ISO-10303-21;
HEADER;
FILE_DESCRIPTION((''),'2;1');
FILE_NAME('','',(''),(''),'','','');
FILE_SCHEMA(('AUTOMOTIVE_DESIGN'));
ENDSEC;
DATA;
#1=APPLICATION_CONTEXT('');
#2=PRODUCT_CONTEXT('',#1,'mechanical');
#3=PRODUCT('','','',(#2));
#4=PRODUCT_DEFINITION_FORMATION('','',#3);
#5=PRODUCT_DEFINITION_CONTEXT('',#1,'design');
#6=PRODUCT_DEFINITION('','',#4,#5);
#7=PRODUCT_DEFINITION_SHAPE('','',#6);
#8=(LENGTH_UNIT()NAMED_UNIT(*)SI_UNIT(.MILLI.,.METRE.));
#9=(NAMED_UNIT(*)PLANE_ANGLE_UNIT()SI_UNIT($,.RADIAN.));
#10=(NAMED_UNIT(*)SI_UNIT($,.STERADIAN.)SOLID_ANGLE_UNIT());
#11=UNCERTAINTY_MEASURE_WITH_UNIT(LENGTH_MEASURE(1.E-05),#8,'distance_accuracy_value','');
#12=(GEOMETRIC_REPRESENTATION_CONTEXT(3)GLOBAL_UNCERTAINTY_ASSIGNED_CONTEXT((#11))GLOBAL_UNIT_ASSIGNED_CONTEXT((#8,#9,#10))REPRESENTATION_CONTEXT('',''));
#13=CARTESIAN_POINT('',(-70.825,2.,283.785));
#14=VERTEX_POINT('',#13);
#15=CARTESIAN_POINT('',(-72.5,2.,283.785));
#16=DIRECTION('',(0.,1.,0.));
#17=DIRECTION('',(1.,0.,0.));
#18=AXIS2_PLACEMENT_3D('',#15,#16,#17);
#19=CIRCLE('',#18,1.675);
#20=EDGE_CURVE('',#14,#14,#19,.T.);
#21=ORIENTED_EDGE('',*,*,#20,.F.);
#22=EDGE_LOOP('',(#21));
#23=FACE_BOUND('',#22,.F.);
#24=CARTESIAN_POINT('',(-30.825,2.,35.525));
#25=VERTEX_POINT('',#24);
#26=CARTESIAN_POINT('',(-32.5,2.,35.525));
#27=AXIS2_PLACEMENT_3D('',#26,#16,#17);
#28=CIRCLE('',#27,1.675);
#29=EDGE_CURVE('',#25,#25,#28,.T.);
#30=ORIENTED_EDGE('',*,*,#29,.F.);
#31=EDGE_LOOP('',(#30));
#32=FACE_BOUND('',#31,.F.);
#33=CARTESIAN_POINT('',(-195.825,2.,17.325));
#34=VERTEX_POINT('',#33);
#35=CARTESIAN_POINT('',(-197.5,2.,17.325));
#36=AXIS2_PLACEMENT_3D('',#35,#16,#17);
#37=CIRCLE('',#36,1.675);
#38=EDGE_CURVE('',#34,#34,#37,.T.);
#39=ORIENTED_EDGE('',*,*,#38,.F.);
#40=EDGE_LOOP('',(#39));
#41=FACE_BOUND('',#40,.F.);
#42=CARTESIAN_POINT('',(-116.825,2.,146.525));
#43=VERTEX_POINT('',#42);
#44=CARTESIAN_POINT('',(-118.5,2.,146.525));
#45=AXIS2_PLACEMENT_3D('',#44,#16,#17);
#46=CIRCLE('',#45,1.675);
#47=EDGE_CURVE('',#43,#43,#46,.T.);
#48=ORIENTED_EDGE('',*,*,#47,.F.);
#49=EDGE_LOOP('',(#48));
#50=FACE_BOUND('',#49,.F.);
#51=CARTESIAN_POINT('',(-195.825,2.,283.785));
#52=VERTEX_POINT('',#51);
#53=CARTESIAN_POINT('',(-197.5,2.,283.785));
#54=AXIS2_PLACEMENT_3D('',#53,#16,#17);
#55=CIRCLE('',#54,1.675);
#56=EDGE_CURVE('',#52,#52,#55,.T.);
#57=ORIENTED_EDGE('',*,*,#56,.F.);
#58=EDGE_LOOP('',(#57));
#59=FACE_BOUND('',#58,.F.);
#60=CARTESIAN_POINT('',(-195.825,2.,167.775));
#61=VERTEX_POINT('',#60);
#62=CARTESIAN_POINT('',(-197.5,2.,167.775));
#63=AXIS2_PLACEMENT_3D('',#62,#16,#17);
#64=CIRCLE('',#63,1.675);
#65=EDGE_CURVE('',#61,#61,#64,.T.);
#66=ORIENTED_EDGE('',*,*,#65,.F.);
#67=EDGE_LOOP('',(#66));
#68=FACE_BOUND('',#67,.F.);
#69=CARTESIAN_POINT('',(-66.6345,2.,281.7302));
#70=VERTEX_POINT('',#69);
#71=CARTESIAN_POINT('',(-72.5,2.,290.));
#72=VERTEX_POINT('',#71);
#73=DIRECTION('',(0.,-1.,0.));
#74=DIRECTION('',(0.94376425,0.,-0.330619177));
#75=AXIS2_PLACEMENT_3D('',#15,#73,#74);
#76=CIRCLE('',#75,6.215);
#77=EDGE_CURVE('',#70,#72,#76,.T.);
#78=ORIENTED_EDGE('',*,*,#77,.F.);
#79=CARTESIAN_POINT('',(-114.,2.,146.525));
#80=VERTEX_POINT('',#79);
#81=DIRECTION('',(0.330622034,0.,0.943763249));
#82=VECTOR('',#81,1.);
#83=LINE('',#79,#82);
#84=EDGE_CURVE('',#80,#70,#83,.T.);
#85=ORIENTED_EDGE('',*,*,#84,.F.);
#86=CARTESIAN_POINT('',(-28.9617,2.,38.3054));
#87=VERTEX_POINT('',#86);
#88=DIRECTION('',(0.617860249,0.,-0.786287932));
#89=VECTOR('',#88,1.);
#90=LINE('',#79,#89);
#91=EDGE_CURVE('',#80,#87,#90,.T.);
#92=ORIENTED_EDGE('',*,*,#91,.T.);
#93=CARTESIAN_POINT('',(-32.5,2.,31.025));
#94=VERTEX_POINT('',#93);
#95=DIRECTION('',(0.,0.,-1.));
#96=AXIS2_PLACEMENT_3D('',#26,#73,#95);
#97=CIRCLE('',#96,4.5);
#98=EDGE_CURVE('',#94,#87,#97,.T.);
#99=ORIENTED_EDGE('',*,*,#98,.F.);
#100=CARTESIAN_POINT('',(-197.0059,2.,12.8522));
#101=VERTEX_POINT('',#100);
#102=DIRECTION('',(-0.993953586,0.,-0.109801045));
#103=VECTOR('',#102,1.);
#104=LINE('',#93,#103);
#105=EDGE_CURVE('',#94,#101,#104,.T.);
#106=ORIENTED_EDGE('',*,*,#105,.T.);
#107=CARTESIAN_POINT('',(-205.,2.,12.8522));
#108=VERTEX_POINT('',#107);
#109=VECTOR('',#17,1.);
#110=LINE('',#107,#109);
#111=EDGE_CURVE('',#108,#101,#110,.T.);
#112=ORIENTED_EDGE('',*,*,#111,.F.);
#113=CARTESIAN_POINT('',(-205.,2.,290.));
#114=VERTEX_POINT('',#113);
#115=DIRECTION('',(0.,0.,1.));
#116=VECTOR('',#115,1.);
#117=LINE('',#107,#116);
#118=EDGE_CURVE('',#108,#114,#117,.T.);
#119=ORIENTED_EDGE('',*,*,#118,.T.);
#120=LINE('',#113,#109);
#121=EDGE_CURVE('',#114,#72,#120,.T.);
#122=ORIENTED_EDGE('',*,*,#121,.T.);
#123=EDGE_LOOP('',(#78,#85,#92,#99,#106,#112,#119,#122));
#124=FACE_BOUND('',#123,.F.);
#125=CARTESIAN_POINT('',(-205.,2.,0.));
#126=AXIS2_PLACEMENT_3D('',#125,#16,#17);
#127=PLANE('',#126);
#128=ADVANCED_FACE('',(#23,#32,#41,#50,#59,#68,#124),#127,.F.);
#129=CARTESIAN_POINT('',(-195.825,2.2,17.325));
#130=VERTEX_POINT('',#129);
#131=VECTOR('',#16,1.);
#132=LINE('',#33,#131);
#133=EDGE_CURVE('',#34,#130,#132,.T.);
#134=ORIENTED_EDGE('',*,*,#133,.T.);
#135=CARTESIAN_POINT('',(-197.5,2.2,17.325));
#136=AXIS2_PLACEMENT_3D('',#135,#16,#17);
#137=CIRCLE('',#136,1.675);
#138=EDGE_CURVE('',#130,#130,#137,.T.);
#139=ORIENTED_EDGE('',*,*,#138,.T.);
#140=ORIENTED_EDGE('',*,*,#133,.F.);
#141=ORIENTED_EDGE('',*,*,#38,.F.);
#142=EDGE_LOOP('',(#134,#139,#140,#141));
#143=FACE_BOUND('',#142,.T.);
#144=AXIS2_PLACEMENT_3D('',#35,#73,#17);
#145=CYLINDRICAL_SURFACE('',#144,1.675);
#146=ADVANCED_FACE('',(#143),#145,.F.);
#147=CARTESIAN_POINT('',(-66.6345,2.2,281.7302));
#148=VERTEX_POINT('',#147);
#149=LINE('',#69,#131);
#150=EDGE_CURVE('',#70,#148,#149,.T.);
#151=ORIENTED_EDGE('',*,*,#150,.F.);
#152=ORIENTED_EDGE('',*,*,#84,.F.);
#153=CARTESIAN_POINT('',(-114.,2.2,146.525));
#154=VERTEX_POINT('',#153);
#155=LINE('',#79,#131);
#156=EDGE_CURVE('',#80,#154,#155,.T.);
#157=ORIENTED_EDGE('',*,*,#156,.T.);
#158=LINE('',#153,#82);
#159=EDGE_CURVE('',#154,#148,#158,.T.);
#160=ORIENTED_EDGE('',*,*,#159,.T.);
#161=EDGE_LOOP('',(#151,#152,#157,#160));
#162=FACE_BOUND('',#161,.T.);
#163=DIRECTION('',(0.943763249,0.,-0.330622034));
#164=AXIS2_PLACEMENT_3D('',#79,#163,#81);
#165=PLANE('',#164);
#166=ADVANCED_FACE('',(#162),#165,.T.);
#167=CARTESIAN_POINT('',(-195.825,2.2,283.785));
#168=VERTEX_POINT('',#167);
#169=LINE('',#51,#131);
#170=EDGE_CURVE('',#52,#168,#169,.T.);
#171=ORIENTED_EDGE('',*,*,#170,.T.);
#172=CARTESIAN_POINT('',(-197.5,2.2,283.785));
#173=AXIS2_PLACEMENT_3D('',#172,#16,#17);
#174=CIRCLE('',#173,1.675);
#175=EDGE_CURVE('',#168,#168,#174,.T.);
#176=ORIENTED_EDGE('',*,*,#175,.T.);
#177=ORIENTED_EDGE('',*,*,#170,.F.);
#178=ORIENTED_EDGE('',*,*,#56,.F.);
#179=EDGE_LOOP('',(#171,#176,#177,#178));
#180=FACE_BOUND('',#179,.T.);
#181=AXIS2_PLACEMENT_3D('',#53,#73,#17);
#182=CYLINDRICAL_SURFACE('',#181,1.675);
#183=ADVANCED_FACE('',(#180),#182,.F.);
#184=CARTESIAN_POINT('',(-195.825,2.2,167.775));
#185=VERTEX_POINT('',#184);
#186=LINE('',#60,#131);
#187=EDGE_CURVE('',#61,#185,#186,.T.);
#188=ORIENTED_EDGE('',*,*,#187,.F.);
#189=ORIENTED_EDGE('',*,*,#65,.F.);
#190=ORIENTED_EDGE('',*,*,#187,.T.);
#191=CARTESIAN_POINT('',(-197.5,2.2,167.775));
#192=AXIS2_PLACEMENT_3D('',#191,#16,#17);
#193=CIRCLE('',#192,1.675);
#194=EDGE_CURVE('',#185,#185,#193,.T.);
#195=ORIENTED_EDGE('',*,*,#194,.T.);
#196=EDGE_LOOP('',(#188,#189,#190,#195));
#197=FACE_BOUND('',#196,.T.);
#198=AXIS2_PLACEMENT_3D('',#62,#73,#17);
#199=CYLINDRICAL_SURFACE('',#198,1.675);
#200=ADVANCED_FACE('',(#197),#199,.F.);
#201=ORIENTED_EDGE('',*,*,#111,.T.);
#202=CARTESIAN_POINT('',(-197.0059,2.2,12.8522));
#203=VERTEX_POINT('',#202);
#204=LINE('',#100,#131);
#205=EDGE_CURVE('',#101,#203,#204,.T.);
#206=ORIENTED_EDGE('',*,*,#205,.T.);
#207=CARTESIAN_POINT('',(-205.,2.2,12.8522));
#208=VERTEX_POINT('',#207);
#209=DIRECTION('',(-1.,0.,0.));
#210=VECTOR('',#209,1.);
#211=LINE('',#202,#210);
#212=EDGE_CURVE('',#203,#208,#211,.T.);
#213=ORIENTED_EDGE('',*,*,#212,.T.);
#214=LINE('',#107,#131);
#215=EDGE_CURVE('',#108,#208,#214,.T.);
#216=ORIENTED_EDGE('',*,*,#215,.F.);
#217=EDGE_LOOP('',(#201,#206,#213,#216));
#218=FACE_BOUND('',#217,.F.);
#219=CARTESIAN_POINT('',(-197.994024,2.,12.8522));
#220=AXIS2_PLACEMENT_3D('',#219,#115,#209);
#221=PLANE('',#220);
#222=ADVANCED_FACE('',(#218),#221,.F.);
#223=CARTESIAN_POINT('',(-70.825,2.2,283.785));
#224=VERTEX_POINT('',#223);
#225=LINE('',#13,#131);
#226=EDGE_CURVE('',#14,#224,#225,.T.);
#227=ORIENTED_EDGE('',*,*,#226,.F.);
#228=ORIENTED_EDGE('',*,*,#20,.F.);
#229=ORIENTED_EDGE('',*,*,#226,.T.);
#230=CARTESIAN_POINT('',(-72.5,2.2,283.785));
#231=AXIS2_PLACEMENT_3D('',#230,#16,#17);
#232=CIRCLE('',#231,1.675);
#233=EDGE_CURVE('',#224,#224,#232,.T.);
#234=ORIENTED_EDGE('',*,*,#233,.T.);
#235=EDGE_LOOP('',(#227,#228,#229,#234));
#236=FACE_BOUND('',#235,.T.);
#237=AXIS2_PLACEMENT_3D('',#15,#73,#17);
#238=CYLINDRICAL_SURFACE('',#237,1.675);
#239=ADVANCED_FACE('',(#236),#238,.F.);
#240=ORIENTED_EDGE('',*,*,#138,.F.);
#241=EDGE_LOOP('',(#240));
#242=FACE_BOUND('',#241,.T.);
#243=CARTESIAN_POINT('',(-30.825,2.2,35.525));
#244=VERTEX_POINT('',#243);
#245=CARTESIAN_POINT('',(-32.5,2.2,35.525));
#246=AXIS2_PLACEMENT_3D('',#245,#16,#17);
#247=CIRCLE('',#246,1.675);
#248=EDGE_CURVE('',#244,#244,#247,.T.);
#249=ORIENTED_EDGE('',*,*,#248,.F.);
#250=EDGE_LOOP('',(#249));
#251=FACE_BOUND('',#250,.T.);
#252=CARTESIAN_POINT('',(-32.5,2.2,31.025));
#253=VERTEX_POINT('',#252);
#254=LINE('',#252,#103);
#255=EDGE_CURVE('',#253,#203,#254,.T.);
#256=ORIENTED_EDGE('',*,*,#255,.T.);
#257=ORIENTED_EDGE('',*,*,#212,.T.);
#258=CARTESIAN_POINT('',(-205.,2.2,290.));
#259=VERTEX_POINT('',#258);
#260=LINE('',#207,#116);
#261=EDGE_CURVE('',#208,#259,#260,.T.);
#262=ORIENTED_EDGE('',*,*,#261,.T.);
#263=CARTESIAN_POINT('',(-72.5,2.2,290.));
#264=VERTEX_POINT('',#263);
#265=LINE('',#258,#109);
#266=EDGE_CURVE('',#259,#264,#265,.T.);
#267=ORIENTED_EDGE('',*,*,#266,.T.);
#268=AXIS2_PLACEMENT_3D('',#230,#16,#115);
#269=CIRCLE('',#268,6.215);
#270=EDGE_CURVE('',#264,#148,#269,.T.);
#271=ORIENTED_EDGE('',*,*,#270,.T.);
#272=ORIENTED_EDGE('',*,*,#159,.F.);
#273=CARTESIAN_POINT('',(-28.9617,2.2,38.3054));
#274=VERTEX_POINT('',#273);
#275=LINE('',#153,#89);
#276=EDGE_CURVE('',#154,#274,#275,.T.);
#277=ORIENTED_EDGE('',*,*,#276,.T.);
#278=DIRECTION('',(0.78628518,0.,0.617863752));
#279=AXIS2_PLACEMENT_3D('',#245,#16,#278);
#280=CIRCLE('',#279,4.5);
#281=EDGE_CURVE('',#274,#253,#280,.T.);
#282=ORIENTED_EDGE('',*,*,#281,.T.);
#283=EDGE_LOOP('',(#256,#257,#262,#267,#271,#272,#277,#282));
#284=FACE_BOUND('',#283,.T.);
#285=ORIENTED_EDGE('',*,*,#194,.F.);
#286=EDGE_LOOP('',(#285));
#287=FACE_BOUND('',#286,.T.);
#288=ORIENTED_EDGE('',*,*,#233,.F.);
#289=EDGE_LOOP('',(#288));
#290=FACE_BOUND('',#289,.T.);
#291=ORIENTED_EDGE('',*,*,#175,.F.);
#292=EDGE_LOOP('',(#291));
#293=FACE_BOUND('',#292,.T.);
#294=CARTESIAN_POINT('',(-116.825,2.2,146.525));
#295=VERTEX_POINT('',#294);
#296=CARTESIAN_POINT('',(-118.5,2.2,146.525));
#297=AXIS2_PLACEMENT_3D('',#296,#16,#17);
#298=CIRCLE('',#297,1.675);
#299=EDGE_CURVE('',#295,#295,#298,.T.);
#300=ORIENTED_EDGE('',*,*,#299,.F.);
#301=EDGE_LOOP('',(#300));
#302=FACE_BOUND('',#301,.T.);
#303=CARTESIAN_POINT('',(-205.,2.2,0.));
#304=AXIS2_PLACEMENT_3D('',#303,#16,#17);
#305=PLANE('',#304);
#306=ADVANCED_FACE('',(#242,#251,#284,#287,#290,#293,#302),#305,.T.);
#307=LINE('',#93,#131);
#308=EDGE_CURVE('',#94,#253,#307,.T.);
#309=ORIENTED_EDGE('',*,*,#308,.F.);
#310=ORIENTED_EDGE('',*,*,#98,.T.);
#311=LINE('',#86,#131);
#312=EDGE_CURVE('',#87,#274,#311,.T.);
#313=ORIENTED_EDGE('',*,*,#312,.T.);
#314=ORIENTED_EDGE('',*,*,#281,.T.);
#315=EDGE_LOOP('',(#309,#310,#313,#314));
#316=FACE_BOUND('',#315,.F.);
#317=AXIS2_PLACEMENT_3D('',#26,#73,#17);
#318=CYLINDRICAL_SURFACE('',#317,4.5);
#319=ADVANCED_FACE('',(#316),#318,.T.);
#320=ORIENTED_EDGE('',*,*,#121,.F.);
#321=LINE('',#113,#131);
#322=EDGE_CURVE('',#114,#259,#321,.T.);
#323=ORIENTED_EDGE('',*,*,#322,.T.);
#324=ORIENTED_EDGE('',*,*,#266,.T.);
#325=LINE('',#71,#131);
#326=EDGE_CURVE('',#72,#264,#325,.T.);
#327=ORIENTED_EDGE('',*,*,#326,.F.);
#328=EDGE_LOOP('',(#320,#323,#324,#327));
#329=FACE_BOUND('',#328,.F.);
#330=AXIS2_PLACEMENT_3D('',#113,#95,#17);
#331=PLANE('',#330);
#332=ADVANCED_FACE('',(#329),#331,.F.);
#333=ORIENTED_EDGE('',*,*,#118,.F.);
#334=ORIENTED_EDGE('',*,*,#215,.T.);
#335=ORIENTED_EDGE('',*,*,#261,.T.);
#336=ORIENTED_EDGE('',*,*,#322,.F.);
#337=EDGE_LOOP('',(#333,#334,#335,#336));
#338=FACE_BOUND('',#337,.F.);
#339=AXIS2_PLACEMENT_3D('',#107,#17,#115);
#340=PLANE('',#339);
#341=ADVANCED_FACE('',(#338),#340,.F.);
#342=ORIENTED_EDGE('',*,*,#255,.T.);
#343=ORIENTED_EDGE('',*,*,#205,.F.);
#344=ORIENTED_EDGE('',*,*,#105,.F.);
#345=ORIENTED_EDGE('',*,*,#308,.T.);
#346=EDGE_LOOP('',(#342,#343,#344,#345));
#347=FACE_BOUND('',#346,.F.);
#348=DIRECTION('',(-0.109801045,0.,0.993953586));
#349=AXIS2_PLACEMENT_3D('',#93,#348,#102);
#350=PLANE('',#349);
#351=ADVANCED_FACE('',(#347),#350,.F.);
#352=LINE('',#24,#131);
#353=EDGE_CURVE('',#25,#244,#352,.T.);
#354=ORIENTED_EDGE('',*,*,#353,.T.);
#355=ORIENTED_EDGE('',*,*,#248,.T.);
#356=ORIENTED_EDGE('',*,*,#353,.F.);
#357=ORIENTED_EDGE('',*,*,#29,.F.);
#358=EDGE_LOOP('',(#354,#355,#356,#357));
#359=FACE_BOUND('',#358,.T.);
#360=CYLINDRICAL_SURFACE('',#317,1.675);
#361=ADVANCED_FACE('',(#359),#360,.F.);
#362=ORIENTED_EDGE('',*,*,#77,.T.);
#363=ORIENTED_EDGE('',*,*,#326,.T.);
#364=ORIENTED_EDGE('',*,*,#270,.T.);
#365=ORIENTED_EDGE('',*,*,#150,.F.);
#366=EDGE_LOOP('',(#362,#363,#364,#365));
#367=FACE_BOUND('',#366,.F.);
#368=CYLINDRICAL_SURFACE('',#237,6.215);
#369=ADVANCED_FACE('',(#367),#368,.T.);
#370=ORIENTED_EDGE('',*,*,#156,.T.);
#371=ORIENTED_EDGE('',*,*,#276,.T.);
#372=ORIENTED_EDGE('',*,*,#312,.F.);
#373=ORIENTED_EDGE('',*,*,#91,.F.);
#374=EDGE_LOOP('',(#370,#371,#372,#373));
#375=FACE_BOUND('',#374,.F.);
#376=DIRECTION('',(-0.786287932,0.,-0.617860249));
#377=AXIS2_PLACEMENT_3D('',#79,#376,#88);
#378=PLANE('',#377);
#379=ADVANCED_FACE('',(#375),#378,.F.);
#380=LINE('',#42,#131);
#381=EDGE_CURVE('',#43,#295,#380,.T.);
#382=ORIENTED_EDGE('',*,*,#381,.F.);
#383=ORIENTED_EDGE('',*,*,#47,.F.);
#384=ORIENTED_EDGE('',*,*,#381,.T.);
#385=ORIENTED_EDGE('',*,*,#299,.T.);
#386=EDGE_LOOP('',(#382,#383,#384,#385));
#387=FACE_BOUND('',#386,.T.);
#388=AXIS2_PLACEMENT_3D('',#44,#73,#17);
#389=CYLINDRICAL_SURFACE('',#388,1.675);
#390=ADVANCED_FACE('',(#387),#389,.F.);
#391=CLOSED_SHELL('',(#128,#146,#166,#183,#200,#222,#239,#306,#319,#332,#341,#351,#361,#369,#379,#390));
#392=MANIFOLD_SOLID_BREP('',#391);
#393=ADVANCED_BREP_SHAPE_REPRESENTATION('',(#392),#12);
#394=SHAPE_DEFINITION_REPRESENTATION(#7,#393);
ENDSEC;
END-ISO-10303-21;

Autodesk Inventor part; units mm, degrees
ref_plane "YZ Plane" through (0, 0, 0) normal (1, 0, 0) x (0, 1, 0)
ref_plane "XZ Plane" through (0, 0, 0) normal (0, 1, 0) x (-1, 0, 0)
ref_plane "Work Plane1" through (-205, 2, 0) normal (0, 1, 0) x (1, 0, 0)
sketch "Sketch2" plane through (-205, 2, 0) normal (0, 1, 0) x (1, 0, 0)
  circle A0 centre (86.5, -146.525) radius 1.675 projected
  circle A1 centre (86.5, -146.525) radius 1.675
  circle A2 centre (86.5, -146.525) radius 4.5
  circle A3 centre (172.5, -35.525) radius 1.675 projected
  circle A4 centre (172.5, -35.525) radius 1.675
  circle A5 centre (172.5, -35.525) radius 4.5
  circle A6 centre (132.5, -283.785) radius 1.675 projected
  circle A7 centre (132.5, -283.785) radius 6.215
  line L0 (0, -290) -> (155, -290) projected
  circle A8 centre (7.5, -283.785) radius 1.675 projected
  circle A9 centre (7.5, -283.785) radius 4.5
  circle A10 centre (7.5, -167.775) radius 1.675 projected
  circle A11 centre (7.5, -167.775) radius 4.5
  circle A12 centre (7.5, -17.325) radius 1.675 projected
  circle A13 centre (7.5, -17.325) radius 4.5
  line L1 (0, -290) -> (132.5, -290)
  line L2 (91, -146.525) -> (138.3655, -281.7302)
  line L3 (91, -146.525) -> (176.0383, -38.3054)
  line L4 (172.5, -31.025) -> (7.9941, -12.8522)
  line L5 (7.9941, -12.8522) -> (0, -12.8522)
  line L6 (0, -12.8522) -> (0, -290)
  point P0 (205, 0)
  dimension "d3" = 9
  dimension "d7" = 9
  dimension "d4" = 9
  dimension "d5" = 9
  dimension "d6" = 9
extrude "Extrusion1" add sketch "Sketch2" along normal blind 0.2 contours A2 | L2 A7 L0 L6 L5 A13 L4 A5 L3 | A7 | A5 | A13 L5 | A9 | A11 picked at (10.9979, -16.8298)
properties part number "base_main_pcb_full_itr3"
